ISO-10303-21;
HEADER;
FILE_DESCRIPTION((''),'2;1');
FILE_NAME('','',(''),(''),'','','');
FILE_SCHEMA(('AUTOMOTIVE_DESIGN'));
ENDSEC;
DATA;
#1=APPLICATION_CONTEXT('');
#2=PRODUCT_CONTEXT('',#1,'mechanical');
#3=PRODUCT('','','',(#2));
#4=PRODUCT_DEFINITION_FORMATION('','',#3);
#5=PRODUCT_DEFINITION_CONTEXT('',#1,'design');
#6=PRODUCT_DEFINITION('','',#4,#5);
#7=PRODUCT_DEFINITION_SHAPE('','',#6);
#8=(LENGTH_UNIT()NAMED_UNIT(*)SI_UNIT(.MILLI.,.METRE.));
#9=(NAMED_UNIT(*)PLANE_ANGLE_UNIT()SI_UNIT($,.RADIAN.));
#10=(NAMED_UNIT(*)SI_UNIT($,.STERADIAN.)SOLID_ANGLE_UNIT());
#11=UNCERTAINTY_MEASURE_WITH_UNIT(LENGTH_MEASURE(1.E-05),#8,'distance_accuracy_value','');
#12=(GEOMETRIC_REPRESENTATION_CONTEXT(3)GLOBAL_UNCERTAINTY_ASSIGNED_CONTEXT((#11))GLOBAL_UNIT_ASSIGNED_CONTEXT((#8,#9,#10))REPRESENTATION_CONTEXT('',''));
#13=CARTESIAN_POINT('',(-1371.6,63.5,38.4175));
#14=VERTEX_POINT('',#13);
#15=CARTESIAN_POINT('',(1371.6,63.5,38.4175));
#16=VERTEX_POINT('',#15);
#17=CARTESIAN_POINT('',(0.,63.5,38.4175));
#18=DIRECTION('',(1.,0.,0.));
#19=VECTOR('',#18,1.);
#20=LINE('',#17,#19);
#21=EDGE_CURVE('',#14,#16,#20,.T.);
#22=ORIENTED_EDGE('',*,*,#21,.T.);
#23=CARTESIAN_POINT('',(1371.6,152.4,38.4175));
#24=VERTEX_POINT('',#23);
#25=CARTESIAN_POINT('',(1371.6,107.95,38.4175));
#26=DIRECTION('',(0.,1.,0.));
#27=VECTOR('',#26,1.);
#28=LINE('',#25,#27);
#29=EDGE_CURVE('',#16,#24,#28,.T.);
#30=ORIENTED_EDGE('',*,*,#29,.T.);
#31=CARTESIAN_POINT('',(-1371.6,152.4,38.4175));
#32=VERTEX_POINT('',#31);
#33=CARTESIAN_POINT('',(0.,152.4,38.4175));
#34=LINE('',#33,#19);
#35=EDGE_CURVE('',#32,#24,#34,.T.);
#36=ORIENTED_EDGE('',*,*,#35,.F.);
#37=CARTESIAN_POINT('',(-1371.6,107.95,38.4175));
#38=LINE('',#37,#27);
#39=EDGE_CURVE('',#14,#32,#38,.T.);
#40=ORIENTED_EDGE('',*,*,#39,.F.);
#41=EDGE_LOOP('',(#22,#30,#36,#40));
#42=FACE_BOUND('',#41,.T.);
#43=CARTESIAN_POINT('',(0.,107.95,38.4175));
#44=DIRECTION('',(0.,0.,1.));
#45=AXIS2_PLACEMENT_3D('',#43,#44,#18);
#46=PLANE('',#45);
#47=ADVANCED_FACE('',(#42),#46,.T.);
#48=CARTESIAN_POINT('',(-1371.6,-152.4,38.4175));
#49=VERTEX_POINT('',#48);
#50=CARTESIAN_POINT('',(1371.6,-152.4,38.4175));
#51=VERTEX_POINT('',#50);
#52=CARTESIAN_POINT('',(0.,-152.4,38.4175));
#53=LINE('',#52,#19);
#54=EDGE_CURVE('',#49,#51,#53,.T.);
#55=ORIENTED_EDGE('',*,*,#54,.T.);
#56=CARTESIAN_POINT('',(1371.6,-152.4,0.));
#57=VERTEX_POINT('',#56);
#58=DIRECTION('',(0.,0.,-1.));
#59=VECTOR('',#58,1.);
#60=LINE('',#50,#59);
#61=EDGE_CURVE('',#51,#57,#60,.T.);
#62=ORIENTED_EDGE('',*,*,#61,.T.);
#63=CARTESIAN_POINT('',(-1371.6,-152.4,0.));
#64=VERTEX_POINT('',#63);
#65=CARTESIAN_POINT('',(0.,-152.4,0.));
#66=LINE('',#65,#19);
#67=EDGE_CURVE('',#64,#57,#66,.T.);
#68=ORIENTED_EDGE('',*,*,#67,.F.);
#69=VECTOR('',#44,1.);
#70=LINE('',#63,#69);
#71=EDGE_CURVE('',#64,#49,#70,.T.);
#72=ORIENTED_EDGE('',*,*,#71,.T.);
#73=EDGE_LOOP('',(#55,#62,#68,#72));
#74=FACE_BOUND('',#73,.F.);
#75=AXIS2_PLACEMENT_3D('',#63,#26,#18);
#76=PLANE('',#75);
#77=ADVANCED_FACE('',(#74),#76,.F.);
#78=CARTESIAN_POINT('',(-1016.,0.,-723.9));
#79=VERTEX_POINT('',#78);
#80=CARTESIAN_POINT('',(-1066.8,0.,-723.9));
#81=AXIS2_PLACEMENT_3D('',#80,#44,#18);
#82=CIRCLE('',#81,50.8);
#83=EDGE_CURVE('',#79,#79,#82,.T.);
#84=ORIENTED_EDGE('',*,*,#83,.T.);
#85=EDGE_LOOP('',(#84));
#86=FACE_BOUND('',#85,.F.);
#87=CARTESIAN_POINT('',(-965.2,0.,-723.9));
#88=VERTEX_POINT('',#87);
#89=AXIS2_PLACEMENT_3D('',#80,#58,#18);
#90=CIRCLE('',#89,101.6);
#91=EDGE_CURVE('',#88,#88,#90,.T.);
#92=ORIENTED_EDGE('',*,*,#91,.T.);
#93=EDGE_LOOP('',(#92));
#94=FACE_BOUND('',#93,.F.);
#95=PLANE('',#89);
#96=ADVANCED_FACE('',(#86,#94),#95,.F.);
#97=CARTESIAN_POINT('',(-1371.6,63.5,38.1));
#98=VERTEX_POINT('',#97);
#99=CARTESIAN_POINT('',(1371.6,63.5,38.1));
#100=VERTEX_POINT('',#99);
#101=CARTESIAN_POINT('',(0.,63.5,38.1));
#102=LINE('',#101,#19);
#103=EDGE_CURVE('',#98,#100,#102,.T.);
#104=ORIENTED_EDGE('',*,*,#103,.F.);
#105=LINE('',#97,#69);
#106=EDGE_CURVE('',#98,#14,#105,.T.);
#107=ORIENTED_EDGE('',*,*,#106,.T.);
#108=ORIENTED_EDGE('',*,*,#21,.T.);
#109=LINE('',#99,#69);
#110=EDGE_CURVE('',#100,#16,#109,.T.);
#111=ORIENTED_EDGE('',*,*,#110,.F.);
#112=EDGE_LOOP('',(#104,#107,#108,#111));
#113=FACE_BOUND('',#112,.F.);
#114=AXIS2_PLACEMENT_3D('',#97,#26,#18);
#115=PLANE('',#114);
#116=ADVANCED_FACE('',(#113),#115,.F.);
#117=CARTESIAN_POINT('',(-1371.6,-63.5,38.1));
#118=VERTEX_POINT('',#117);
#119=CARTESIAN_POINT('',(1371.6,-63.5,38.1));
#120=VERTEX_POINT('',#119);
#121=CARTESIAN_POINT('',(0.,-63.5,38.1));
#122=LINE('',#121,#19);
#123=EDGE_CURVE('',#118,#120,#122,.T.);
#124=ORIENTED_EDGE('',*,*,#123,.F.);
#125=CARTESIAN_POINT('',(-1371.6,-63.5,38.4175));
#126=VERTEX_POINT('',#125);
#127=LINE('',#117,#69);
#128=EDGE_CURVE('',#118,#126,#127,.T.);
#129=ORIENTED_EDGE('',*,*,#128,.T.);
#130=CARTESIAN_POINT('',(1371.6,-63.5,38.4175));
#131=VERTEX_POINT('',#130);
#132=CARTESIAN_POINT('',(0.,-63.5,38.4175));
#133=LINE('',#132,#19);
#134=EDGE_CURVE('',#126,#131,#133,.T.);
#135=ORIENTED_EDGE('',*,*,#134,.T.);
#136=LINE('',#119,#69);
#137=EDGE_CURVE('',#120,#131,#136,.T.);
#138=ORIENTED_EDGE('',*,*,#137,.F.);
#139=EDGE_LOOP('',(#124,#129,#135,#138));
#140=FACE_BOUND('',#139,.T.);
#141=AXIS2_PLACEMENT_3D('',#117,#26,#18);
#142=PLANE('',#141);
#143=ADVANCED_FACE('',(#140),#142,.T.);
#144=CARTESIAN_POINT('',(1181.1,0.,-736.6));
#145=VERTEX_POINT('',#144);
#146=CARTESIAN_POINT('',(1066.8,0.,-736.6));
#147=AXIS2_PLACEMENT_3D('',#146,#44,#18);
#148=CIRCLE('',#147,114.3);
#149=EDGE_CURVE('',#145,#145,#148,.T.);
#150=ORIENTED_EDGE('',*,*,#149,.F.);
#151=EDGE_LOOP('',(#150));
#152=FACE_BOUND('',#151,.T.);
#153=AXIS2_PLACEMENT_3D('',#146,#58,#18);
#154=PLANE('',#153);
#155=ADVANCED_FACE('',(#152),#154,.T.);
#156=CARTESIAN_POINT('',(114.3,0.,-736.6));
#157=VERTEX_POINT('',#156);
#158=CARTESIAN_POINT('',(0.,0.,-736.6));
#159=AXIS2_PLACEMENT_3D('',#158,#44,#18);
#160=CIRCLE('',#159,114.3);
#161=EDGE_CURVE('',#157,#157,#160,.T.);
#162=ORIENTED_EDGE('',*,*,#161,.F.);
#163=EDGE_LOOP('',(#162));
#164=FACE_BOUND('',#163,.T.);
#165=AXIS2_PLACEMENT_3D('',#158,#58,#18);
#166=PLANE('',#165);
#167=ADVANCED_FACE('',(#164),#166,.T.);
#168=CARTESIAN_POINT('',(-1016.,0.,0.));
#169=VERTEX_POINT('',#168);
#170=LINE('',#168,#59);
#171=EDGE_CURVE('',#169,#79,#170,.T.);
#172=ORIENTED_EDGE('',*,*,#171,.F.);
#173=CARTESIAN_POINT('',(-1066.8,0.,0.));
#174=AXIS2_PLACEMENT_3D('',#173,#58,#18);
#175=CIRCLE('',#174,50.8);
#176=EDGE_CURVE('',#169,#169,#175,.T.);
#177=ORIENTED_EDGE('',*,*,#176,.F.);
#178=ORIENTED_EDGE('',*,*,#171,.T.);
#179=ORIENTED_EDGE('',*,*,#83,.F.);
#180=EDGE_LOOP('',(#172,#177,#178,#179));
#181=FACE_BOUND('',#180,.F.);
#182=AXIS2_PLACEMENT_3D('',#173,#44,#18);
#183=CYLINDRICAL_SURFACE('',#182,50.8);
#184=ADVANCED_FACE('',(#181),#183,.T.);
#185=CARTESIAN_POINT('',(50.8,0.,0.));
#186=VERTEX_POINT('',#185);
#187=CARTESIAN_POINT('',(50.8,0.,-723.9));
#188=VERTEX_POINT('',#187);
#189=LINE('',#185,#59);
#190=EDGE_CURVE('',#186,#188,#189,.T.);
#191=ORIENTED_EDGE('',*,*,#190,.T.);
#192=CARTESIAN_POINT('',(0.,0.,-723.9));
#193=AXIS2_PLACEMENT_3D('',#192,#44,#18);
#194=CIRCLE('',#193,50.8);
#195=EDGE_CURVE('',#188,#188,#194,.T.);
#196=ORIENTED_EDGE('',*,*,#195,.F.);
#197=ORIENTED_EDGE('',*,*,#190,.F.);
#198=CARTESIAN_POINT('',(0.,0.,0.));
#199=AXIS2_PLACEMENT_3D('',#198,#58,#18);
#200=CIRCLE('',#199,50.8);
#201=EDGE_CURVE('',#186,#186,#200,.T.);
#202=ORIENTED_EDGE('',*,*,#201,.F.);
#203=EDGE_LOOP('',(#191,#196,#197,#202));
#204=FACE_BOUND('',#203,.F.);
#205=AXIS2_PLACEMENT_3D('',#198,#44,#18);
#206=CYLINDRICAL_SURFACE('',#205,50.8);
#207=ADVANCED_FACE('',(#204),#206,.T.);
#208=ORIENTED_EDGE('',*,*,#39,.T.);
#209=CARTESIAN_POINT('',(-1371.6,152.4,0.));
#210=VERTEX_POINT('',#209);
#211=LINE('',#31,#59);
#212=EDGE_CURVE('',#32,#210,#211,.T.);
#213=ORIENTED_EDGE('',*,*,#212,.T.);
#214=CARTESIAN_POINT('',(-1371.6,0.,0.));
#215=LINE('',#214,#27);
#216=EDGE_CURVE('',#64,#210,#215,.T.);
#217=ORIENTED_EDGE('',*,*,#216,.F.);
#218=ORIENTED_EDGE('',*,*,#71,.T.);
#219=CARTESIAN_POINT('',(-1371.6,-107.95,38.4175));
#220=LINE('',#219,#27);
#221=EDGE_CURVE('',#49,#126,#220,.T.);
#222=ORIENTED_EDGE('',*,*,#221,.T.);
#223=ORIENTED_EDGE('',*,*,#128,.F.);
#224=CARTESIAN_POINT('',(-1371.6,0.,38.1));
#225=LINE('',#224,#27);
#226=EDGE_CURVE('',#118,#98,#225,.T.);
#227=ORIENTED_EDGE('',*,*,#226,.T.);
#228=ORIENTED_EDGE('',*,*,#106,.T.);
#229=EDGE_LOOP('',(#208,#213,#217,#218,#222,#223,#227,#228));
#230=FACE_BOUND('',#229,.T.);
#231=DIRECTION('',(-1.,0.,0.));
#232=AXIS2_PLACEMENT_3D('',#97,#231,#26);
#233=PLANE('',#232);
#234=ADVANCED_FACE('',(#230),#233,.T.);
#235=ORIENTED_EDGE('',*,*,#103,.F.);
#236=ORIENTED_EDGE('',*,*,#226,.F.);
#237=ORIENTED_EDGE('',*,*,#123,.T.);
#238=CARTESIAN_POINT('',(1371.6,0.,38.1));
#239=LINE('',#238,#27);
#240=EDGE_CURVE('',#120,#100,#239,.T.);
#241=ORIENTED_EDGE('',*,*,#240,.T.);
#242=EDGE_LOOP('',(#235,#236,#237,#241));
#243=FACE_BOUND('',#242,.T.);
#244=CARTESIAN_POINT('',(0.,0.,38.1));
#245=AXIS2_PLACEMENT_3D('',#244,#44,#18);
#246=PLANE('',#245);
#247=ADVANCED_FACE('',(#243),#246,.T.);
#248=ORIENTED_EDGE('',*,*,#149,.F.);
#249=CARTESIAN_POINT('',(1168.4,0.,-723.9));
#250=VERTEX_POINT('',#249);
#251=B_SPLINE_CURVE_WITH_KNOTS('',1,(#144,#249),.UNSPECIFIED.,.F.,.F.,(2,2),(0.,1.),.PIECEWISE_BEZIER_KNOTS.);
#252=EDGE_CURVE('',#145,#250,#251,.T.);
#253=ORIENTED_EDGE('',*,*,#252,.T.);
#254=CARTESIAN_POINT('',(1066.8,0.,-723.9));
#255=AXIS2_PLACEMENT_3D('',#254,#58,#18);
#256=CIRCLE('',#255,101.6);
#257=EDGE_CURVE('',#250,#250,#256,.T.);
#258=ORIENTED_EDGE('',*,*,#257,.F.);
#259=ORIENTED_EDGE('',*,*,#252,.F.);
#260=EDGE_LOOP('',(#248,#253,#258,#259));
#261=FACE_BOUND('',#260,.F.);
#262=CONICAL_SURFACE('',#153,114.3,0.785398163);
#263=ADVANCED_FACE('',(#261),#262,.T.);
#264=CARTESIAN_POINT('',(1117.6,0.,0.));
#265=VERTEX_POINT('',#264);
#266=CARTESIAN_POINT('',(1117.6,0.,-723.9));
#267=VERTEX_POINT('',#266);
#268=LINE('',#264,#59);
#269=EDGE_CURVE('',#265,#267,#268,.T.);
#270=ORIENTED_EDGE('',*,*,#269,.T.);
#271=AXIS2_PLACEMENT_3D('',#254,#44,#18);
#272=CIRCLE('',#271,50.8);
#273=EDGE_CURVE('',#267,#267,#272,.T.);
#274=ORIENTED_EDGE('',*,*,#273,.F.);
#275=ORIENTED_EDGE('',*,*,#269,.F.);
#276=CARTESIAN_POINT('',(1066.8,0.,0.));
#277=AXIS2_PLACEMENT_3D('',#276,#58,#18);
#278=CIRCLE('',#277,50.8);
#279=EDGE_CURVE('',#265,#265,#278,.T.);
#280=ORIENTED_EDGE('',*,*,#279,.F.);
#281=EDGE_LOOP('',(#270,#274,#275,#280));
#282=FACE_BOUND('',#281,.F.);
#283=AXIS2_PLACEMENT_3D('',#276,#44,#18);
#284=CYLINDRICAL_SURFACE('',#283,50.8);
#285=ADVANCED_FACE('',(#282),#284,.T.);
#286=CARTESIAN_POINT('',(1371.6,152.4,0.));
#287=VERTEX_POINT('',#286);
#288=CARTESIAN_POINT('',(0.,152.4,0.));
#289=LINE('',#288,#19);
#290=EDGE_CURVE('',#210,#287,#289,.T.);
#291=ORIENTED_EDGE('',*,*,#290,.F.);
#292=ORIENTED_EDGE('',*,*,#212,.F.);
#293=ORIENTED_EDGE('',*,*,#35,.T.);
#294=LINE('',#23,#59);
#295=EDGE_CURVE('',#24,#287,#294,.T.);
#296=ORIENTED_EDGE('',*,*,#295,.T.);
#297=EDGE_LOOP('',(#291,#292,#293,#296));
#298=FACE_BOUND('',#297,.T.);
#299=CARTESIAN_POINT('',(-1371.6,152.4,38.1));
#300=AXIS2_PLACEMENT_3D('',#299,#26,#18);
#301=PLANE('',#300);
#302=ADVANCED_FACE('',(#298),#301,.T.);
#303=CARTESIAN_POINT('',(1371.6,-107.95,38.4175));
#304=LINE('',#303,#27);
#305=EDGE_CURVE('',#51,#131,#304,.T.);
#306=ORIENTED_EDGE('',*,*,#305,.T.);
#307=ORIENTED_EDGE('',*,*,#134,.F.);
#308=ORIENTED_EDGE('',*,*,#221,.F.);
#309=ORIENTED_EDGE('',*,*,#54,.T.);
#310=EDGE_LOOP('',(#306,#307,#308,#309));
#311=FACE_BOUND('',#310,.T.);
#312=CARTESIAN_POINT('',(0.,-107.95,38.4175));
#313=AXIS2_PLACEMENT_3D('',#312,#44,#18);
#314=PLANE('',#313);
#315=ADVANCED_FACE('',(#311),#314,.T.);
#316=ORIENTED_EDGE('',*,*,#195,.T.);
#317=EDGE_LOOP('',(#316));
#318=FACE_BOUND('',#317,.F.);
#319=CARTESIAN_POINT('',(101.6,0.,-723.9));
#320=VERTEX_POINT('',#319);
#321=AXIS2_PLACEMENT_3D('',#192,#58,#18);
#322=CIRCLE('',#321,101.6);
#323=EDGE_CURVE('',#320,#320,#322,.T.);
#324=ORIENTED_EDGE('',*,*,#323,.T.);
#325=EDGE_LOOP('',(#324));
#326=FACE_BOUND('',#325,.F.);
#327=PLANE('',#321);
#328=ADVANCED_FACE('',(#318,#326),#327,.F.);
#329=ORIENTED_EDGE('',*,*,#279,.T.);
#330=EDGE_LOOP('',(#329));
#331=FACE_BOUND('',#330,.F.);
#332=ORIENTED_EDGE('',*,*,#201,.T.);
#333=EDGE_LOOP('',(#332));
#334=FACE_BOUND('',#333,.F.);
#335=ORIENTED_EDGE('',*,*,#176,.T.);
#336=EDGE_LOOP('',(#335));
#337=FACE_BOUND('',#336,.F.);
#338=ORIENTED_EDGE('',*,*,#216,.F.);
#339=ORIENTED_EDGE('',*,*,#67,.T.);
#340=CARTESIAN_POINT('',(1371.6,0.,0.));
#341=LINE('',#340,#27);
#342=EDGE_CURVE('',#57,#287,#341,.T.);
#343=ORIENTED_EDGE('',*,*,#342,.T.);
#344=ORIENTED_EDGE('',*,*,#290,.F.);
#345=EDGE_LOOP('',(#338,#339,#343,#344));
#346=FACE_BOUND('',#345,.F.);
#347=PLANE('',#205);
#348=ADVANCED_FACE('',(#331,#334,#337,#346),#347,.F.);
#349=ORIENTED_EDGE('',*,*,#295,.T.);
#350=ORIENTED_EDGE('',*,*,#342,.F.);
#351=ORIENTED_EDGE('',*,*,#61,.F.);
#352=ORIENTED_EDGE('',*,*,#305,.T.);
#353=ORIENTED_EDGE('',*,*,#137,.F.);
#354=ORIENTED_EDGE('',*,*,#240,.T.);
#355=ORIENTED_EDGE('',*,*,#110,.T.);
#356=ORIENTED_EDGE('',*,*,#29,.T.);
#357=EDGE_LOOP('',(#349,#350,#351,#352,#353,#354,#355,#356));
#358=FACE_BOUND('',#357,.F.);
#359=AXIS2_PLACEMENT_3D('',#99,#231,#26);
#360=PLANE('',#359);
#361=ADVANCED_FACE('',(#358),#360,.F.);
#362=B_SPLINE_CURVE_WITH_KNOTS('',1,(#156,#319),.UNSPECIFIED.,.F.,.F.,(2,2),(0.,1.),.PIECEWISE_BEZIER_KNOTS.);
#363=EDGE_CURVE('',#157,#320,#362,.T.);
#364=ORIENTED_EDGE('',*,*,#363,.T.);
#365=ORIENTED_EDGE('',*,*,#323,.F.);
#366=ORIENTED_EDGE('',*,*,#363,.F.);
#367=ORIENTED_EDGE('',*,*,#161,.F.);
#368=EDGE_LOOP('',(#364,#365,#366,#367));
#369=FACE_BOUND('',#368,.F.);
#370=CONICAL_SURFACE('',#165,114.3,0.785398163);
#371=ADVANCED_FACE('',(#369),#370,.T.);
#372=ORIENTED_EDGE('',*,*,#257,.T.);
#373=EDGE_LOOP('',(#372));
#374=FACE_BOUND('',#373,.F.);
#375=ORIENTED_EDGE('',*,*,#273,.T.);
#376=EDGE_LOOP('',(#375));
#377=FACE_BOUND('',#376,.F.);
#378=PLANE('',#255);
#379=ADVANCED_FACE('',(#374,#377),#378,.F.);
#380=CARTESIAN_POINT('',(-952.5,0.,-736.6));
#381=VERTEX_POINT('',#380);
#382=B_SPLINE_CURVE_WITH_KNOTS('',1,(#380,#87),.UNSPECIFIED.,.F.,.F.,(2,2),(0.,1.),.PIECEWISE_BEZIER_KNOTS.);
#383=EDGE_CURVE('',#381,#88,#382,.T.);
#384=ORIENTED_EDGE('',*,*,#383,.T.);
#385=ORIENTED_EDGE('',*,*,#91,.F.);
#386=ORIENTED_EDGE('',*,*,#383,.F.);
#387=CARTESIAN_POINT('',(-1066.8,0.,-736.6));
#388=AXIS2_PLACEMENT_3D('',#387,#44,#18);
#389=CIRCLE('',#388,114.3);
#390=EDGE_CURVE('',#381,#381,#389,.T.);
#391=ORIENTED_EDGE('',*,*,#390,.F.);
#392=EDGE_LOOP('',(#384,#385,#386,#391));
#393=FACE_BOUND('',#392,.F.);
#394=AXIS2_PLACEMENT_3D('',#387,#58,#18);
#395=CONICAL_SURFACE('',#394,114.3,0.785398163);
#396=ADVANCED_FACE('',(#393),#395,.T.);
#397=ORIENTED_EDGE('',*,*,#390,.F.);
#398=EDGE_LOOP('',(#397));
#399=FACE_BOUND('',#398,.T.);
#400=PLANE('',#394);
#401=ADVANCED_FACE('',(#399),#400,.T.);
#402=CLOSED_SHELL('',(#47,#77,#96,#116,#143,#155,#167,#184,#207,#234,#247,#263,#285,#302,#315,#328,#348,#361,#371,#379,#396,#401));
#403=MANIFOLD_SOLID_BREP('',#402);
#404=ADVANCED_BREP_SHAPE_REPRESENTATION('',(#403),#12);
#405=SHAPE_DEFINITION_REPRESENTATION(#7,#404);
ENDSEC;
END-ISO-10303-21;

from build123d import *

# Parameters (mm, degrees)
F0_W     = 2743.2
F0_H     = 304.8
F1_DEPTH = 38.1
F2_R     = 50.8
F3_DEPTH = 736.6
F4_R     = 114.3
F5_DEPTH = 12.7
F5_TAPER = 45
F6_W     = 2743.2
F6_H     = 88.9
F7_DEPTH = 0.3175


with BuildPart() as f1:
    # F0 (on Top) → F1 (new body)
    with BuildSketch(Plane.XY):
        Rectangle(F0_W, F0_H)
    extrude(amount=F1_DEPTH)

    # F2 (on face) → F3 (join)
    with BuildSketch(Plane(origin=(0, 0, 0), x_dir=(1, 0, 0), z_dir=(0, 0, -1))):
        with Locations((-1066.8, 0)):
            Circle(F2_R)
        with Locations((1066.8, 0)):
            Circle(F2_R)
        Circle(F2_R)
    extrude(amount=F3_DEPTH)

    # F4 (on face) → F5 (join)
    with BuildSketch(Plane(origin=(0, 0, -736.6), x_dir=(1, 0, 0), z_dir=(0, 0, -1))):
        with Locations((-1066.8, 0)):
            Circle(F4_R)
        with Locations((1066.8, 0)):
            Circle(F4_R)
        Circle(F4_R)
    extrude(amount=-F5_DEPTH, taper=F5_TAPER)

    # F6 (on face) → F7 (join)
    with BuildSketch(Plane.XY.offset(38.1)):
        with Locations((0, 107.95)):
            Rectangle(F6_W, F6_H)
        with Locations((0, -107.95)):
            Rectangle(F6_W, F6_H)
    extrude(amount=F7_DEPTH)


solid = f1.part
